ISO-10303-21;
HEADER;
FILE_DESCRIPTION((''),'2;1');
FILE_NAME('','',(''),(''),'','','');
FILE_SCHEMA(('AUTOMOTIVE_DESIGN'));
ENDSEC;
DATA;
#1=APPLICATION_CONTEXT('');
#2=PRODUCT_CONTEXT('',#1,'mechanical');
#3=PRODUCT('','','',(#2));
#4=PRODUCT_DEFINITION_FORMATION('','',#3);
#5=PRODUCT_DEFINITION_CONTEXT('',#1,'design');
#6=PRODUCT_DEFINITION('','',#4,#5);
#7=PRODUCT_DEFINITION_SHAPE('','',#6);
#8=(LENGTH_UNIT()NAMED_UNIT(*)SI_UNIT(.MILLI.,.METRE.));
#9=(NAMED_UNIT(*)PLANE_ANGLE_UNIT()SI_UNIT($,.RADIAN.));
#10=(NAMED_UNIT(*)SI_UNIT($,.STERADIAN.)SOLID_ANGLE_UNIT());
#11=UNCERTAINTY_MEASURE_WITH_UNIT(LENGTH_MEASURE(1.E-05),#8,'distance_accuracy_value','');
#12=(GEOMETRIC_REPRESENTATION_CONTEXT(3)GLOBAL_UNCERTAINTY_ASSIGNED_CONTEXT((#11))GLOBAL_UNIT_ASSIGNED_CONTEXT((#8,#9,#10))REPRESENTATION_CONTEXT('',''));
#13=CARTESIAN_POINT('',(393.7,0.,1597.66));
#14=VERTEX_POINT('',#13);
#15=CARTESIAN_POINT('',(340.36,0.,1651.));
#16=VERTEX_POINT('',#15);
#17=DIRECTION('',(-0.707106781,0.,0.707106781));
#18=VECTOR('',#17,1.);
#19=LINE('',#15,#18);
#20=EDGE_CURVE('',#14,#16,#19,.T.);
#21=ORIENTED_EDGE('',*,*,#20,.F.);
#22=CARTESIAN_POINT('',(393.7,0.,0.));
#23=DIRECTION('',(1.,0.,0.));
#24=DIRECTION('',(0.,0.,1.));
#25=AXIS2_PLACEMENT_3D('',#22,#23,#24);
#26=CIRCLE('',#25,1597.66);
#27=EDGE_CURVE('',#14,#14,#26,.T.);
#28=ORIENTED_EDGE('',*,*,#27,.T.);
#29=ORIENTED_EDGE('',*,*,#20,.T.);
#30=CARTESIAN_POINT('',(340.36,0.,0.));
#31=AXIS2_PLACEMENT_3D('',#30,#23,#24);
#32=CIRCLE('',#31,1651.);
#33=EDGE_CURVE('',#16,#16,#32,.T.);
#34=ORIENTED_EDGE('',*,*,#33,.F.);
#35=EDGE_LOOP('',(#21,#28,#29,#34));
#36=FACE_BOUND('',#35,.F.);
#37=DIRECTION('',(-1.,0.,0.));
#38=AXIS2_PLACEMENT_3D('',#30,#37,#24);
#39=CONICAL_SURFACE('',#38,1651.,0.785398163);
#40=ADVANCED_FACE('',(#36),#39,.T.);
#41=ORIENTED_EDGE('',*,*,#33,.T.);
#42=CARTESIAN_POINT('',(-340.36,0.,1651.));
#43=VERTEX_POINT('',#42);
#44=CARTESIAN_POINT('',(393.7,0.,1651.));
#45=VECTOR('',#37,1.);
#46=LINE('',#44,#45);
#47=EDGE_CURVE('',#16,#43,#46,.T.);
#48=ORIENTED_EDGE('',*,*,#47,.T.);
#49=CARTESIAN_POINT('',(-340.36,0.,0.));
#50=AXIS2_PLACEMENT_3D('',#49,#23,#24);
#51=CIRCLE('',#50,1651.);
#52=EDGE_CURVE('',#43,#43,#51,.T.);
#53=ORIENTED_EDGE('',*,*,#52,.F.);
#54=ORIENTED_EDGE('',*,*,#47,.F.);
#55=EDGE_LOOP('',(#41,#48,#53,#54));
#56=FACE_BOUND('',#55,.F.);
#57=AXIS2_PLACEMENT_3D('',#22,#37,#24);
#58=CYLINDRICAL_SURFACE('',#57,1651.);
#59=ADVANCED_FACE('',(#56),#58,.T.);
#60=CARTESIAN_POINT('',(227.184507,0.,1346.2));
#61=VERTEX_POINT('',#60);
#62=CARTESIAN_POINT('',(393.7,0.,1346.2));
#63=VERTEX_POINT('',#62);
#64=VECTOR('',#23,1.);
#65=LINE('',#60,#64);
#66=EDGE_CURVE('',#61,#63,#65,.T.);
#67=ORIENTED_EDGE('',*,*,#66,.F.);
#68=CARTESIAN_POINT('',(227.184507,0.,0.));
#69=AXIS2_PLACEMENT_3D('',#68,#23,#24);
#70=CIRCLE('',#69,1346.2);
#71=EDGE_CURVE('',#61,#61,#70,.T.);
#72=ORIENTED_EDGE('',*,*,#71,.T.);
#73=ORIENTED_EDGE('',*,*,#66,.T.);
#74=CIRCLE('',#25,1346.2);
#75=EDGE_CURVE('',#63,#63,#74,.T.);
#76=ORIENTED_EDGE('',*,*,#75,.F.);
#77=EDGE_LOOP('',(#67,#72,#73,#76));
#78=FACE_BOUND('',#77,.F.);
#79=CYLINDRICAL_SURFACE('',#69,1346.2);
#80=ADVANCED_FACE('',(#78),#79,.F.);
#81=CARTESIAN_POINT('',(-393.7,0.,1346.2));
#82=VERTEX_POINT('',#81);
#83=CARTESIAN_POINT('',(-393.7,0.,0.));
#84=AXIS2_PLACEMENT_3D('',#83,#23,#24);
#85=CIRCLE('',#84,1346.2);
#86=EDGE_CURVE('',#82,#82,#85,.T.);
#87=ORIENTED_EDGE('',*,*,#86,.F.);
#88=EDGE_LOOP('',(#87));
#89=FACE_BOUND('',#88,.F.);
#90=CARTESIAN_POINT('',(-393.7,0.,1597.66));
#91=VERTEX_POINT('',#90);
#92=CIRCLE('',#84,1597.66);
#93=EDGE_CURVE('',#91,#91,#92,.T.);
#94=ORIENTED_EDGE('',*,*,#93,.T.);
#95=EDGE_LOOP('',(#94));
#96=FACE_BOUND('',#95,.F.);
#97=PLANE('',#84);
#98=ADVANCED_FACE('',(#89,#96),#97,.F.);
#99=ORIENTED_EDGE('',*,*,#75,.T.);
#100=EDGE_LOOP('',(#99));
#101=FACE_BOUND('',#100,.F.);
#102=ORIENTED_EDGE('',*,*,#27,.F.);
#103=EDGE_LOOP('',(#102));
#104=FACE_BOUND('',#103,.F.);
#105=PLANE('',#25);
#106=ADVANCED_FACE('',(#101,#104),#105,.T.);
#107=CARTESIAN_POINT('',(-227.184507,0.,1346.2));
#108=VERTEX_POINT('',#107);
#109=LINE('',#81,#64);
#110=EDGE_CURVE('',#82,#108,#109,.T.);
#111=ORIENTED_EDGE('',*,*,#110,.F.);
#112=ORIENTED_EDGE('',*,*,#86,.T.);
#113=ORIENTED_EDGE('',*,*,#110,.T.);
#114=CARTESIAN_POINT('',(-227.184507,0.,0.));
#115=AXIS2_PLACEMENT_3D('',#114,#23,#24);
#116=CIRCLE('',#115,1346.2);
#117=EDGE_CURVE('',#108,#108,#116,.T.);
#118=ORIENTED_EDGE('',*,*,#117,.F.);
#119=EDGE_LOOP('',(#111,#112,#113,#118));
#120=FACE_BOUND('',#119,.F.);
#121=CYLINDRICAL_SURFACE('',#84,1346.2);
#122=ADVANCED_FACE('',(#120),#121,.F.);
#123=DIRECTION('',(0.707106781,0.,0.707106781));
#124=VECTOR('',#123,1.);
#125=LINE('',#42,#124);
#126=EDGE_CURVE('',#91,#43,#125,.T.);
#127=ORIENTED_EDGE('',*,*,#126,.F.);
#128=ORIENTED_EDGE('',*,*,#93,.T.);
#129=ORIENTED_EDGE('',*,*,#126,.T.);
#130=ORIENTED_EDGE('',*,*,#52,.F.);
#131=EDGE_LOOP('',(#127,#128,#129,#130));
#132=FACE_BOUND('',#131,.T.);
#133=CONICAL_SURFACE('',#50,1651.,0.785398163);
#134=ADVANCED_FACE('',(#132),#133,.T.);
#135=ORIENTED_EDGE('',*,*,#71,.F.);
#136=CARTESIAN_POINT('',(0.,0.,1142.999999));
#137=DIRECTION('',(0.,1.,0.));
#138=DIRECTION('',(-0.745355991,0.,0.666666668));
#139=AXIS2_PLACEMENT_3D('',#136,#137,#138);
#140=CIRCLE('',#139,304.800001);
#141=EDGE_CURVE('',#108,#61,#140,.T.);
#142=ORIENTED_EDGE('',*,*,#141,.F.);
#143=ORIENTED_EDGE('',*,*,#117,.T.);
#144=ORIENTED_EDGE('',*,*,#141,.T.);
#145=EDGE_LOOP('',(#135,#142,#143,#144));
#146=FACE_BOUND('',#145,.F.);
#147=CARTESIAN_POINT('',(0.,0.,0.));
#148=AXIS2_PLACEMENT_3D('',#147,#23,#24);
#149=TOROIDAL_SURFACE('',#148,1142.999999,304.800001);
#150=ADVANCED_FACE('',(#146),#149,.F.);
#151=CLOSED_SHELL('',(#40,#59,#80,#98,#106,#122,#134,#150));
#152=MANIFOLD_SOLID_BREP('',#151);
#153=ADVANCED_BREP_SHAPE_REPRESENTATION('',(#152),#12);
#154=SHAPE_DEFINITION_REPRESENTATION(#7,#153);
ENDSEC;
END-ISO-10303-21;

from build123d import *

# Parameters (mm, degrees)
F2_SIZE = 53.34


with BuildPart() as f1:
    # F0 (on Front) → F1 (revolve)
    with BuildSketch(Plane.XZ):
        with BuildLine():
            Line((-393.7, 1651), (-393.7, 1346.2))
            Line((-393.7, 1346.2), (-227.184507, 1346.2))
            ThreePointArc((-227.184507, 1346.2), (0, 1447.8), (227.184507, 1346.2))
            Line((227.184507, 1346.2), (393.7, 1346.2))
            Line((393.7, 1346.2), (393.7, 1651))
            Line((393.7, 1651), (-393.7, 1651))
        make_face()
    revolve(axis=Axis((1351.211951, 0, 0), (1, 0, 0)))

    # F2
    f2_edges = [f1.edges().sort_by_distance(p)[0] for p in [
        (393.7, 0, -1651),
        (-393.7, 0, -1651),
        (0, 0, 1651),
    ]]
    chamfer(f2_edges, length=F2_SIZE)


solid = f1.part
